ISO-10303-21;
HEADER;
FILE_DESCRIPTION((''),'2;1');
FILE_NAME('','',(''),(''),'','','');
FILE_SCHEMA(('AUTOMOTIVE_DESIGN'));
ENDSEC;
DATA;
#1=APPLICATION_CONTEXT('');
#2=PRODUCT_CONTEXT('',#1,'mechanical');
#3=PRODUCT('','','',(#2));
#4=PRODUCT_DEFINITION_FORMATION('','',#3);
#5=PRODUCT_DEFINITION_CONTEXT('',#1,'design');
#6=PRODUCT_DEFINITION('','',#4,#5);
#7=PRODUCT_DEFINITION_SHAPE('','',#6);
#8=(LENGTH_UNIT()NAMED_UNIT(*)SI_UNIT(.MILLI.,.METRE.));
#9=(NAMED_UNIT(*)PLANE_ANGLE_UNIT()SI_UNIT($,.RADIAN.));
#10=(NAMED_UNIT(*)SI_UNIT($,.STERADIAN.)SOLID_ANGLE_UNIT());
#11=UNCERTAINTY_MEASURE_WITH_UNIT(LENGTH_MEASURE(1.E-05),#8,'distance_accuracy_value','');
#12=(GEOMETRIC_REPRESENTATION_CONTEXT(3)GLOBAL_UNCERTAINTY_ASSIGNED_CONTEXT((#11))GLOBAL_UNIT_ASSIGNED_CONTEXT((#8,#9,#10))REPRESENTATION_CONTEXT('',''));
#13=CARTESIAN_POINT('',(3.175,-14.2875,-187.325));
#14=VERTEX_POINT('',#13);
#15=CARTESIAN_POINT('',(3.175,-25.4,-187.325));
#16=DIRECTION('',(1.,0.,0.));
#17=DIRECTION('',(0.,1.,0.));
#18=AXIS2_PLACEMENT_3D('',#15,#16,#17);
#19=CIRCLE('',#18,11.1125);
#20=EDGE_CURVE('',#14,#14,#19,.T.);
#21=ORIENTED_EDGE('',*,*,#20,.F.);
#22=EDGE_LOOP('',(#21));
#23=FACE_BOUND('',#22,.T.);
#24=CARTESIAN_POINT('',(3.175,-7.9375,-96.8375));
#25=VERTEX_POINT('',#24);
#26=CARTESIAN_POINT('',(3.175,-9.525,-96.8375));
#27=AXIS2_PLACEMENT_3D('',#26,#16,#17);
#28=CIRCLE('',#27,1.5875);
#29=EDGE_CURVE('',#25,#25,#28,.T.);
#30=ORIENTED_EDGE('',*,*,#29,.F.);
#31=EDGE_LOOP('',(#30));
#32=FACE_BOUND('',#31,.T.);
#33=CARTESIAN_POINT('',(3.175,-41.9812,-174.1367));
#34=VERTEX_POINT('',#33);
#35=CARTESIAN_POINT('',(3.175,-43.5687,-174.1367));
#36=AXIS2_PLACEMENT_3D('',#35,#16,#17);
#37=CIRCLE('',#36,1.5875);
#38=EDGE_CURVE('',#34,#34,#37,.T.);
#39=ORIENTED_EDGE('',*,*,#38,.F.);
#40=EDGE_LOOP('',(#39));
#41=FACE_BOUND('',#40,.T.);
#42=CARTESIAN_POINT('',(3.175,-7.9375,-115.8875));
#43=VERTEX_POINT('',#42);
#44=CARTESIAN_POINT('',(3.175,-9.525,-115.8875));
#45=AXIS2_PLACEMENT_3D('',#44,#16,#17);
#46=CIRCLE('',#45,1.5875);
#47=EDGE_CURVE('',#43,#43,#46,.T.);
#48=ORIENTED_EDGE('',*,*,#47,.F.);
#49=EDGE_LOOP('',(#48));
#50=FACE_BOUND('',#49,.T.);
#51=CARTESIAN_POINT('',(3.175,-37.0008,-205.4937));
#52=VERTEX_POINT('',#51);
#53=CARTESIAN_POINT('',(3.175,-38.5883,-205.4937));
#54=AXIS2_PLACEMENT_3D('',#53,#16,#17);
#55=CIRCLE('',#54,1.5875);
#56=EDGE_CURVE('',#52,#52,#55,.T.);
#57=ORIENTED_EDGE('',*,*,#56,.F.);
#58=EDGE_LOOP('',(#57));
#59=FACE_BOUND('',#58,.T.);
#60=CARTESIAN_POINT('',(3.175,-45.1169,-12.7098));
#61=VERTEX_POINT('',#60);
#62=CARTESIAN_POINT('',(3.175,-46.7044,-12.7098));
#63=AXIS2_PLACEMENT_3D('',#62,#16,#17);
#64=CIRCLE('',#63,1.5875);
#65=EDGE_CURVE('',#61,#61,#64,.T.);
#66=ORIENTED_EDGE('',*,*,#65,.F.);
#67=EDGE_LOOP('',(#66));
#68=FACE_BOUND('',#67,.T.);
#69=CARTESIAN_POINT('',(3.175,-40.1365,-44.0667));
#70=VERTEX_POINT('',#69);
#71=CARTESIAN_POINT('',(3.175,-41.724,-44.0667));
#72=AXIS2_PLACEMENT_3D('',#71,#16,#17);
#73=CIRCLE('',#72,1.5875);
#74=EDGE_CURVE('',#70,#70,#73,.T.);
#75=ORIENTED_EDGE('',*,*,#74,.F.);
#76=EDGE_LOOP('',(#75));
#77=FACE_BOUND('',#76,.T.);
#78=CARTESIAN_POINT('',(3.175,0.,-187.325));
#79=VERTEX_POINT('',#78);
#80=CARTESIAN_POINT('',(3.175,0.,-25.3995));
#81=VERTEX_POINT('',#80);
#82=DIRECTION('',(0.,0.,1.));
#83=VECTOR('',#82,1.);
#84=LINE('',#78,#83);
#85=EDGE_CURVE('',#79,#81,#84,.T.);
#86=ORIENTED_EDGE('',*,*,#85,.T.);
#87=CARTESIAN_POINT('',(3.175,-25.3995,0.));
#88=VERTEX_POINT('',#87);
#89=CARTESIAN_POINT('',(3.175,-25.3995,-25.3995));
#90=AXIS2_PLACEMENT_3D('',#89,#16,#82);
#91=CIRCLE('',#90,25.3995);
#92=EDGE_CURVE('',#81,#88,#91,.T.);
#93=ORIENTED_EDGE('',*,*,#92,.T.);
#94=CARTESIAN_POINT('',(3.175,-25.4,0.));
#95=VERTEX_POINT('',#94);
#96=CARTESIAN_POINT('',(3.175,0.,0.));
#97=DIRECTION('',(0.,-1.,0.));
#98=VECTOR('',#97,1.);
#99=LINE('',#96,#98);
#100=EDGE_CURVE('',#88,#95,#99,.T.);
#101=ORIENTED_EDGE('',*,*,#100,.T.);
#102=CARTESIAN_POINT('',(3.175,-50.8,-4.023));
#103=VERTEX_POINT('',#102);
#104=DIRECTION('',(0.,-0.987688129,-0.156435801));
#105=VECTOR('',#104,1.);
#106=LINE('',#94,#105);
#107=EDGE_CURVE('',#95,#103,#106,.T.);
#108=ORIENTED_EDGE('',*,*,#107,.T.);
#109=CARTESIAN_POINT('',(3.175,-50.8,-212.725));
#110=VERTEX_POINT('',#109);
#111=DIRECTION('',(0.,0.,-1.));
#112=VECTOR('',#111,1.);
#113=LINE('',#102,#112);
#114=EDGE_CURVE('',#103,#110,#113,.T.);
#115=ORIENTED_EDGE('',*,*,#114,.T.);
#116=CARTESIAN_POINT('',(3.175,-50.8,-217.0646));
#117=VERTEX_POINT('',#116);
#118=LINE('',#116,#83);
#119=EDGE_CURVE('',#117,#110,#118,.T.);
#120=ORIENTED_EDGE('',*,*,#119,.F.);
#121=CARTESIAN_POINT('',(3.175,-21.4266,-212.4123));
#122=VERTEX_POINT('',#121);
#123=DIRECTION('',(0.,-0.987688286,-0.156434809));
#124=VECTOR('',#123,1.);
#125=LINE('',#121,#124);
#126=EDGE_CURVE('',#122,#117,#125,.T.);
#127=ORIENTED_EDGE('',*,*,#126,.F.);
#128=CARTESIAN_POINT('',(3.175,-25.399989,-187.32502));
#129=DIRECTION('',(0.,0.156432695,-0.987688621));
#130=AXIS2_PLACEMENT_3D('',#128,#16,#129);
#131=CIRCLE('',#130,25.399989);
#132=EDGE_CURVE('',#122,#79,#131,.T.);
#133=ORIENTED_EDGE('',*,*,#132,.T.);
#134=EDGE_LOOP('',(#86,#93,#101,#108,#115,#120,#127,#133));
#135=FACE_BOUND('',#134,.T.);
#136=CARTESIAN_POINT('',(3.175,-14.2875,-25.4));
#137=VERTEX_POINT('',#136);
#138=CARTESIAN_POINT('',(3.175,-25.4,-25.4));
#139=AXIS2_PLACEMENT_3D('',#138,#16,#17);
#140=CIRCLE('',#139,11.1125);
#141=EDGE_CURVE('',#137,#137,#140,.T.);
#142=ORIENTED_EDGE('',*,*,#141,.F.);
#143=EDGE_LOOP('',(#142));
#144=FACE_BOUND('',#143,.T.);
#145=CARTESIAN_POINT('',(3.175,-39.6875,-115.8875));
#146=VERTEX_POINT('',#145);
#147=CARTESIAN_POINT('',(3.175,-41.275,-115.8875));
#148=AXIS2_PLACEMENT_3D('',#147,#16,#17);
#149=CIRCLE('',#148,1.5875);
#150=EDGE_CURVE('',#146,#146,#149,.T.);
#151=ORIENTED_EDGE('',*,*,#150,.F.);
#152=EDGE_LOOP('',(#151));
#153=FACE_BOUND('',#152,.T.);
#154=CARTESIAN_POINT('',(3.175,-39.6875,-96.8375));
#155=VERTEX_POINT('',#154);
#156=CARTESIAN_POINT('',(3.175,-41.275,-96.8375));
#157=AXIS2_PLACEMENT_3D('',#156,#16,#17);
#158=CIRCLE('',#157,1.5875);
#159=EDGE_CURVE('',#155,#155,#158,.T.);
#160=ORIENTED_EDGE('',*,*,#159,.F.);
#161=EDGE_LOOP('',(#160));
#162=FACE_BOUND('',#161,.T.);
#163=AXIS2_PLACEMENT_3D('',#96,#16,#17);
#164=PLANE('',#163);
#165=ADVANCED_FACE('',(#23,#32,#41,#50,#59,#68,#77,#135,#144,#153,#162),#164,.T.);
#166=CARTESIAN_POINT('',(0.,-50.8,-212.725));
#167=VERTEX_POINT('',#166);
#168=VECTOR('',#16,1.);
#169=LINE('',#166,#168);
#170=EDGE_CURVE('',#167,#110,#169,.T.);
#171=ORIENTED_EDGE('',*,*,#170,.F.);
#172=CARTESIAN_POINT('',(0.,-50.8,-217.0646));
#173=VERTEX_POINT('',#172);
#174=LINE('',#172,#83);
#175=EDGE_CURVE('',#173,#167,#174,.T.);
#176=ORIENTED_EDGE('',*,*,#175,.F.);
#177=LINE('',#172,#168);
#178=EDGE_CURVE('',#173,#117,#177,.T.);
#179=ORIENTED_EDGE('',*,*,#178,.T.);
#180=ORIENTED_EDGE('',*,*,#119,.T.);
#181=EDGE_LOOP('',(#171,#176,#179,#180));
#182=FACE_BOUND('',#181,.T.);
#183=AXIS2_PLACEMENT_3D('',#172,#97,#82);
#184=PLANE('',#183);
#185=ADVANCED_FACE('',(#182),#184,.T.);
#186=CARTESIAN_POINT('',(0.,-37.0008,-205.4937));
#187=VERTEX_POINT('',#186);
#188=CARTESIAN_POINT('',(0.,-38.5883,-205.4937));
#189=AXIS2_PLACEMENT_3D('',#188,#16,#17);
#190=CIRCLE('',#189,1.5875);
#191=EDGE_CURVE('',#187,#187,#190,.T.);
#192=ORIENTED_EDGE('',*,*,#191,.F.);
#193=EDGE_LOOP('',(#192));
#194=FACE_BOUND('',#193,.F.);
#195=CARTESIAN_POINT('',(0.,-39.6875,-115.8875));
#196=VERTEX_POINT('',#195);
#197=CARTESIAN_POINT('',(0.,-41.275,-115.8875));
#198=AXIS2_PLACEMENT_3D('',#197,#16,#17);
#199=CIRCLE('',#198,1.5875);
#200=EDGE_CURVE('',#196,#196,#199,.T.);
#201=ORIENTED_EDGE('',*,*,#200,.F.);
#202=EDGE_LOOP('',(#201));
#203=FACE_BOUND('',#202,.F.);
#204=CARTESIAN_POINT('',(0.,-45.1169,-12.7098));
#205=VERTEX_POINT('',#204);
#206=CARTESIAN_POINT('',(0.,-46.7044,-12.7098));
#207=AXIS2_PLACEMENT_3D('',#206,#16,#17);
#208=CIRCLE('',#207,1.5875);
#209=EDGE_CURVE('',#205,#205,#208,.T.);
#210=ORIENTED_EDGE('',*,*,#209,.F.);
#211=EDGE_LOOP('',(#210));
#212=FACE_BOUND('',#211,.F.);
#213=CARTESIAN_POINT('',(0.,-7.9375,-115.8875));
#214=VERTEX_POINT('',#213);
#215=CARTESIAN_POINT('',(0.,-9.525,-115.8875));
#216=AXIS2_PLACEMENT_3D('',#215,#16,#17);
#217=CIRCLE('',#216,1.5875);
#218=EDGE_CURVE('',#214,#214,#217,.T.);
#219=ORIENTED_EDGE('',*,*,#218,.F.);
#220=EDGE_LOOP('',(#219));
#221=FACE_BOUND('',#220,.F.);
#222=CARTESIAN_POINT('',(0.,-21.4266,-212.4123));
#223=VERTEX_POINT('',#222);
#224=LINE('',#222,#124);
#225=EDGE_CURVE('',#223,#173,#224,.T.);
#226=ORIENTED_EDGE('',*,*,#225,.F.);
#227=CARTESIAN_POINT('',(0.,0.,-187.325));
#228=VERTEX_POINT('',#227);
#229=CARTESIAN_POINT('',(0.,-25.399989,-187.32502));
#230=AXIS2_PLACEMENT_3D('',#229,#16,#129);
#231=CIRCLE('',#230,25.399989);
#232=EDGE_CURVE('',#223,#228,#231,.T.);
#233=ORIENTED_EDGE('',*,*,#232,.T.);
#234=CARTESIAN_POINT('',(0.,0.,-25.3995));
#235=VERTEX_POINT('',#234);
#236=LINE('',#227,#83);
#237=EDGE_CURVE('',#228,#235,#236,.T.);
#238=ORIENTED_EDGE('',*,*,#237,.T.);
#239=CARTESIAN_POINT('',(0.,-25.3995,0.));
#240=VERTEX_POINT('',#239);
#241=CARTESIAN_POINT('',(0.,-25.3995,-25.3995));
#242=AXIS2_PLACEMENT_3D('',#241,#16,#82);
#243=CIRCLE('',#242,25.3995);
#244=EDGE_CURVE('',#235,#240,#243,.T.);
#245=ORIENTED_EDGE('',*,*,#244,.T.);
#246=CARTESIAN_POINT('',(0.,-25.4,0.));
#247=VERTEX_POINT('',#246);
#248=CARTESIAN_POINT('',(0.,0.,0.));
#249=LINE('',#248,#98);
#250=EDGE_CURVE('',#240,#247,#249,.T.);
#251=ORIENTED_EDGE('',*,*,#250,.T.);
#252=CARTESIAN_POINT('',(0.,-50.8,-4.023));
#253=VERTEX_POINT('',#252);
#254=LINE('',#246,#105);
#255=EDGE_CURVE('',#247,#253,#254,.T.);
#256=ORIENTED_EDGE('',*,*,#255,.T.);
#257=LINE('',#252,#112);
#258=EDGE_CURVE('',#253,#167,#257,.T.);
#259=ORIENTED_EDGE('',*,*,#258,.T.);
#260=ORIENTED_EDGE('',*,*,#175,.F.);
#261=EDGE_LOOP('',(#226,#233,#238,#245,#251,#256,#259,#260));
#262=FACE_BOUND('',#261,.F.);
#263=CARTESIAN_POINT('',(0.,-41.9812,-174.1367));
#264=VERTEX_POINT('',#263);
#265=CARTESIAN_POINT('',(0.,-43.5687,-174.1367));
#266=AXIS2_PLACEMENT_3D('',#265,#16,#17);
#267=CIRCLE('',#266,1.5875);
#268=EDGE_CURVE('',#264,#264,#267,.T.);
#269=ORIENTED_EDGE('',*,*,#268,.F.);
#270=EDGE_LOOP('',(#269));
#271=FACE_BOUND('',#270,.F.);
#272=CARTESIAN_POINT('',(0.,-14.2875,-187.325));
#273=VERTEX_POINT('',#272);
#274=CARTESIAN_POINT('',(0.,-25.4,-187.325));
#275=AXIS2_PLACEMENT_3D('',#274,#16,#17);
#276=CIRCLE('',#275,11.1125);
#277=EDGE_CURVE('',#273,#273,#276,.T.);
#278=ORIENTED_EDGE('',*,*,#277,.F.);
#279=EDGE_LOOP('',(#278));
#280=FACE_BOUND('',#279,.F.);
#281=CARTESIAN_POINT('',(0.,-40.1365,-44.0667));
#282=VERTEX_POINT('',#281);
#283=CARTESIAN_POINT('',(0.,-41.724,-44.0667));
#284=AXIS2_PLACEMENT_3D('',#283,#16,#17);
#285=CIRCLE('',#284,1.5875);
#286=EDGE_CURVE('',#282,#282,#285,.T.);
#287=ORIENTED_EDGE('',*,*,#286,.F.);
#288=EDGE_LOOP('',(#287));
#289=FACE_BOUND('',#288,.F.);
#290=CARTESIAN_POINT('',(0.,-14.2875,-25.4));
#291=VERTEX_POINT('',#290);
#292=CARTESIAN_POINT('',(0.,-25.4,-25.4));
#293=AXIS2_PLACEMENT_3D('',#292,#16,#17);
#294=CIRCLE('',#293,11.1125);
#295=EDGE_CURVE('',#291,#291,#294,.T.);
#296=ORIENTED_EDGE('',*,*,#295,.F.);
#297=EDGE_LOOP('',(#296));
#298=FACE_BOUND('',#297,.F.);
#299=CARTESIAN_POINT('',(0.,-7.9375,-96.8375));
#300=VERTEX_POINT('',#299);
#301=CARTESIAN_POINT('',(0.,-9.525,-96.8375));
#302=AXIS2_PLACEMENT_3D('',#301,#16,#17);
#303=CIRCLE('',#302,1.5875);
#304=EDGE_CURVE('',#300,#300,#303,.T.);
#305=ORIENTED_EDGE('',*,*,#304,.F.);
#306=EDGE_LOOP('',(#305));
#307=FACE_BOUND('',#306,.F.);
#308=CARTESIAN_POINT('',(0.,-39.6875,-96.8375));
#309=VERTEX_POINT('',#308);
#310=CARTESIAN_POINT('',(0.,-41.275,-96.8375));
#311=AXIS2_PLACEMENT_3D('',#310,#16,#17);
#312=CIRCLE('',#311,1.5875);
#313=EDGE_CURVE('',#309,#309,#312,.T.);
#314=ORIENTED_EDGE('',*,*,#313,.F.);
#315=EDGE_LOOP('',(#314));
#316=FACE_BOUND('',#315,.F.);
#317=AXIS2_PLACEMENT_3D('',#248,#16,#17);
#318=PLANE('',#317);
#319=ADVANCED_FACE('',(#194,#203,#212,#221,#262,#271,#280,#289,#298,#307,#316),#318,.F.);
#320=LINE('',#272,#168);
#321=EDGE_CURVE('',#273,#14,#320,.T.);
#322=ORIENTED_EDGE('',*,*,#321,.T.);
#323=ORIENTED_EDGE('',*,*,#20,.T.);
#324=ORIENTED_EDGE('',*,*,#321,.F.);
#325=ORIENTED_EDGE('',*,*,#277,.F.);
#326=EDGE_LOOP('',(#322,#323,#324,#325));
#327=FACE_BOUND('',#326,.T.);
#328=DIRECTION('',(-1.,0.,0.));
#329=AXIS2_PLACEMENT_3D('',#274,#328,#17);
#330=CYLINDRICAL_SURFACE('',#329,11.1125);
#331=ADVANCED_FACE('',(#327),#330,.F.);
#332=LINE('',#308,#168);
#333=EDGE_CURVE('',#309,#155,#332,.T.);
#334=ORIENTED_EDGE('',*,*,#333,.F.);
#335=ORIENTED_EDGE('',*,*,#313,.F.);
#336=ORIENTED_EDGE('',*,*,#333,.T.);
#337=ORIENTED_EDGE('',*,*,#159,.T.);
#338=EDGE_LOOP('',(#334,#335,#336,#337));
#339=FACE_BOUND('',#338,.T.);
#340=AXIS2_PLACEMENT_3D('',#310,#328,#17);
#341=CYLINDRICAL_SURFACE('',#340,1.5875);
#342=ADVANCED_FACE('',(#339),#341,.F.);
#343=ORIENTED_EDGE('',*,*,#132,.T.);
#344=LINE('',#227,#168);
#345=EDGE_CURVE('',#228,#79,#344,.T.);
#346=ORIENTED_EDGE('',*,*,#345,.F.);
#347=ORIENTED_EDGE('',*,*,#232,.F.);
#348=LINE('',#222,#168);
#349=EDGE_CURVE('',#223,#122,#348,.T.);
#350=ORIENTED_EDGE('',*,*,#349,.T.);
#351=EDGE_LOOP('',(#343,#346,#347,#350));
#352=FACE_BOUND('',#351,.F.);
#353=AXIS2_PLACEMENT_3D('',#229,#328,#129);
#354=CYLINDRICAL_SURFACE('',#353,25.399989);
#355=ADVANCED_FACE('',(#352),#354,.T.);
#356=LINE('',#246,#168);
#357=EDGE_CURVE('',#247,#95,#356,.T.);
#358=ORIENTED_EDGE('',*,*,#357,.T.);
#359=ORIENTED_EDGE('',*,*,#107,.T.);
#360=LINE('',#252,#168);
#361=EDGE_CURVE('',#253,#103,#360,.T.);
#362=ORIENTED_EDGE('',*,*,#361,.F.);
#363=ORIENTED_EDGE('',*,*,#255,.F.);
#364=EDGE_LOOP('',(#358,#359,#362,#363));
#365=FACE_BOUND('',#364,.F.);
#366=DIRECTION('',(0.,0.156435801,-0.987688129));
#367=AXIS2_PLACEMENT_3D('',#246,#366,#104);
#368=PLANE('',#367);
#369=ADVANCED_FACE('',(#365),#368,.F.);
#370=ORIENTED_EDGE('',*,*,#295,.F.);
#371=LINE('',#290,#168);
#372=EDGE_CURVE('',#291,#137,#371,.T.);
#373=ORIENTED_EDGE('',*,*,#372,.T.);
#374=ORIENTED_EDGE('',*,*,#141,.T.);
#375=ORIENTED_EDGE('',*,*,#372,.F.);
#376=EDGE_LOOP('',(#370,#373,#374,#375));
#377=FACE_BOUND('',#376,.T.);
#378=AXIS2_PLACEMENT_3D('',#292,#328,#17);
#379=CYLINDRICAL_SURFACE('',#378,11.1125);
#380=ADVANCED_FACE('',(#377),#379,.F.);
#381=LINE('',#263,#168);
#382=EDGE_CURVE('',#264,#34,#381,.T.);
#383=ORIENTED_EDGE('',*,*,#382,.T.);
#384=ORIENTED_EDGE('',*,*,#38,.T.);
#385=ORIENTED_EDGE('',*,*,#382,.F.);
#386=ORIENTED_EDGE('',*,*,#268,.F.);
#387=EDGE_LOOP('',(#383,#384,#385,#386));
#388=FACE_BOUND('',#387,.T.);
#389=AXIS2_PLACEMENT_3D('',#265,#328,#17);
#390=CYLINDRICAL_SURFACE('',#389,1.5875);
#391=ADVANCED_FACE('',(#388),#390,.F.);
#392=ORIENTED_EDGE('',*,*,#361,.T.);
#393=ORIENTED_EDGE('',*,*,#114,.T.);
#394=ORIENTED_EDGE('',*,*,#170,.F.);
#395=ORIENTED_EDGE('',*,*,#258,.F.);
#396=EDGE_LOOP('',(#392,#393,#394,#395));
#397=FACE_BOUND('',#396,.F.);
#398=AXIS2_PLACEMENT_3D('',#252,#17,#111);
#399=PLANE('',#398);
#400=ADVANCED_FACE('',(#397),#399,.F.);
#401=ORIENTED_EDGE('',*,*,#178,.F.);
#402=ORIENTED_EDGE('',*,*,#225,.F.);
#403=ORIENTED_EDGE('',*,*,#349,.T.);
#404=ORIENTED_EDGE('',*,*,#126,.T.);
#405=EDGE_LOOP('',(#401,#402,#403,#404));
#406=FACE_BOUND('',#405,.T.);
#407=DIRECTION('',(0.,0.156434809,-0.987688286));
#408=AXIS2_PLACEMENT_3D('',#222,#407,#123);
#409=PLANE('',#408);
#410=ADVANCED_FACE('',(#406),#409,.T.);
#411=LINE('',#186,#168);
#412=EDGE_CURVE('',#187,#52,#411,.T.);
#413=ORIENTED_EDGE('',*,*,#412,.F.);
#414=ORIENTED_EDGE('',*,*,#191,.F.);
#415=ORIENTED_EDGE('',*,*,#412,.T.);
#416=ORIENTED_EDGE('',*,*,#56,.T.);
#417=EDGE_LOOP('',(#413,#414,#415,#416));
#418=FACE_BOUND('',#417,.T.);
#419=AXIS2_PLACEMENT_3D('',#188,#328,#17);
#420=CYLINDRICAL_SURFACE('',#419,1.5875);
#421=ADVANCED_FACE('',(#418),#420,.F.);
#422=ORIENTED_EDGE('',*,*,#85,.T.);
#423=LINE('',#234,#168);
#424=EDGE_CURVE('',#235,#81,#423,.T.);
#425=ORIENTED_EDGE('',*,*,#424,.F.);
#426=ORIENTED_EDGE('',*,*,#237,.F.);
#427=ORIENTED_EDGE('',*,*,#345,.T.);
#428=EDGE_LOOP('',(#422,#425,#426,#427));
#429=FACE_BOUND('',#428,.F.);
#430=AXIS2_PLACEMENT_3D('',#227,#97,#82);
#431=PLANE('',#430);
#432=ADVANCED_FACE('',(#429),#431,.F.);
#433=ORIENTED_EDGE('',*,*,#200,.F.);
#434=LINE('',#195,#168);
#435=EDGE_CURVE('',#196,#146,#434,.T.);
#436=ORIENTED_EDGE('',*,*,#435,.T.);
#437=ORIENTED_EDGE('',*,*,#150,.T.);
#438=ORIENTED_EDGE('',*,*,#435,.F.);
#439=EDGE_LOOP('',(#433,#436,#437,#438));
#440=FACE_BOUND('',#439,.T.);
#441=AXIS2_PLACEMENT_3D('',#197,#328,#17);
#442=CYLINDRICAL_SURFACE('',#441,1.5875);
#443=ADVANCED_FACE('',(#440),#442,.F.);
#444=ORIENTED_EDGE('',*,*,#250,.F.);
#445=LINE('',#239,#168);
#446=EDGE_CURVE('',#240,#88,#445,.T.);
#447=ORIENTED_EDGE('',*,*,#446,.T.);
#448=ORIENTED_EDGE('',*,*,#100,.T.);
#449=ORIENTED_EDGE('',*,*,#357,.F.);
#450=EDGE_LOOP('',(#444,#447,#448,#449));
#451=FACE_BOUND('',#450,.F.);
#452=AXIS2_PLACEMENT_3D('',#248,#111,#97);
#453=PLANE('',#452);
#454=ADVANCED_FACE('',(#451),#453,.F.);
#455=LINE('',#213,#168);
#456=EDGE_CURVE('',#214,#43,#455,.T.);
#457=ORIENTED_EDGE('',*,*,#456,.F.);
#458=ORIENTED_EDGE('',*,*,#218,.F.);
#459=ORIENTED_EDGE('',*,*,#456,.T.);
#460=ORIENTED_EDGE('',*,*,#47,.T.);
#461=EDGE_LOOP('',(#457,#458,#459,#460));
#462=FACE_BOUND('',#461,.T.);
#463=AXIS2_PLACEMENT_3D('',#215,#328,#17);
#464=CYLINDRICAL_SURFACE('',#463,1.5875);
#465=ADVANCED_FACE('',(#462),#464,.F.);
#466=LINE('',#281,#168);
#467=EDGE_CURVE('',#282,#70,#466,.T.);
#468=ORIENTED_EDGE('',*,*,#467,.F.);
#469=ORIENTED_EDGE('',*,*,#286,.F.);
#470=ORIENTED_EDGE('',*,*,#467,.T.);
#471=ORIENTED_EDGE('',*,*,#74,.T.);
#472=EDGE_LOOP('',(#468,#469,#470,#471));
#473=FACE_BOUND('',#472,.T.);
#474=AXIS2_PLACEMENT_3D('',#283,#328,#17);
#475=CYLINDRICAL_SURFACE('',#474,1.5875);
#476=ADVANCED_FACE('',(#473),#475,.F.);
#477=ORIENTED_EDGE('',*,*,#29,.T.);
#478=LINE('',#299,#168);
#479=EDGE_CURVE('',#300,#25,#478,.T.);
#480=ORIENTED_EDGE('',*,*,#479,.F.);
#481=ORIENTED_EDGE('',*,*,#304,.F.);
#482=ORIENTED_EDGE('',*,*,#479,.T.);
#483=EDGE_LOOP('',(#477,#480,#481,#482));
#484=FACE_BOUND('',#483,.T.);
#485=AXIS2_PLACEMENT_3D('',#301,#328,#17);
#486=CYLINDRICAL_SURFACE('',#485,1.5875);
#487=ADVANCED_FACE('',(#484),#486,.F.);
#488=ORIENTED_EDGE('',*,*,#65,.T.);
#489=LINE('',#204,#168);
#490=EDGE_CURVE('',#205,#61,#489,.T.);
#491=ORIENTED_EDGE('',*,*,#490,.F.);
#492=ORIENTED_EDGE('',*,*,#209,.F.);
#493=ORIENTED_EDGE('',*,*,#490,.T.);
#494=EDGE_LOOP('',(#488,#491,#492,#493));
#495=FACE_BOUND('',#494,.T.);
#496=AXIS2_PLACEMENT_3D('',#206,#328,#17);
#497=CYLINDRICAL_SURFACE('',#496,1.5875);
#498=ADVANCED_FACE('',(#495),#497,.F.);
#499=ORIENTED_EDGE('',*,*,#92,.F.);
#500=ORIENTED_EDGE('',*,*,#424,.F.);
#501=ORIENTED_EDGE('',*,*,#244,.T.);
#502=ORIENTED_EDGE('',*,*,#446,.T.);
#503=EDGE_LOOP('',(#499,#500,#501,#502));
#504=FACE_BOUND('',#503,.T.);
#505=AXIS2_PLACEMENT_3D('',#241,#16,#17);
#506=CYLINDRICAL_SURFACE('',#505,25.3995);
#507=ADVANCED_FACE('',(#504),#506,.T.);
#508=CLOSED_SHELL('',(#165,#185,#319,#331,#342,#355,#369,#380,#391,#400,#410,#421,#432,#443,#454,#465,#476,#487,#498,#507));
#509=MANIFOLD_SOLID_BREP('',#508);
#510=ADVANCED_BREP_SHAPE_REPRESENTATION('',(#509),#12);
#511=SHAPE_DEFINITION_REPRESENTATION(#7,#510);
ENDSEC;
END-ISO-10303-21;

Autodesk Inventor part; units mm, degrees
ref_plane "YZ Plane" through (0, 0, 0) normal (1, 0, 0) x (0, 1, 0)
ref_plane "XZ Plane" through (0, 0, 0) normal (0, 1, 0) x (-1, 0, 0)
ref_plane "XY Plane" through (0, 0, 0) normal (0, 0, 1) x (1, 0, 0)
sketch "Sketch1" plane through (0, 0, 0) normal (1, 0, 0) x (0, 1, 0)
  line L0 (-50.8, 0) -> (-50.8, -4.023) construction
  line L1 (0, -212.725) -> (0, -187.325) construction
  line L2 (0, 0) -> (-25.4, 0)
  line L3 (0, -212.725) -> (-25.4, -212.725) construction
  line L4 (-25.4, 0) -> (-25.4, -36.5125) construction
  circle A0 centre (-25.4, -25.4) radius 11.1125
  circle A1 centre (-25.4, -187.325) radius 11.1125
  line L5 (0, -106.3625) -> (-50.8, -106.3625) construction
  line L6 (0, -87.3125) -> (-50.8, -87.3125) construction
  line L7 (-50.8, -125.4125) -> (0, -125.4125) construction
  line L8 (-25.4, 0) -> (-50.8, 0) construction
  line L9 (-25.4, -212.725) -> (-50.8, -212.725) construction
  line L10 (-25.4, 0) -> (-50.8, -4.023)
  line L11 (-50.8, -217.0646) -> (-50.8, -212.725)
  line L12 (-50.8, -4.023) -> (-50.8, -212.725)
  line L13 (0, -187.325) -> (0, 0)
  circle A2 centre (-38.5883, -205.4937) radius 1.5875 projected
  circle A3 centre (-43.5687, -174.1367) radius 1.5875 projected
  circle A4 centre (-41.724, -44.0667) radius 1.5875 projected
  circle A5 centre (-46.7044, -12.7098) radius 1.5875 projected
  line L14 (-21.4266, -212.4123) -> (-50.8, -217.0646)
  arc A6 (-21.4266, -212.4123) -> (0, -187.325) centre (-25.4, -187.325) ccw
  line L15 (0, -96.8375) -> (-50.8, -96.8375) construction
  line L16 (0, -115.8875) -> (-50.8, -115.8875) construction
  line L17 (-25.4, -36.5125) -> (-25.4, -176.2125) construction
  line L18 (-25.4, -176.2125) -> (-25.4, -212.725) construction
  line L19 (-9.525, -96.8375) -> (-9.525, -115.8875) construction
  line L20 (-41.275, -96.8375) -> (-41.275, -115.8875) construction
  circle A7 centre (-9.525, -115.8875) radius 1.5875
  circle A8 centre (-9.525, -96.8375) radius 1.5875
  circle A9 centre (-41.275, -115.8875) radius 1.5875
  circle A10 centre (-41.275, -96.8375) radius 1.5875
  point P0 (-25.4, -106.3625)
  dimension "d2" = 22.225
  dimension "d1" = 50.8
  dimension "d3" = 161.925
  dimension "d4" = 25.4
  dimension "d5" = 25.4
  dimension "d10" = 212.725
  dimension "d11" = 38.1
  dimension "d12" = 61.9125
  dimension "d18" = 9
  dimension "d19" = 19.05
  dimension "d20" = 3.175
  dimension "d21" = 31.75
extrude "Extrusion1" add sketch "Sketch1" along normal blind 3.175
fillet "Fillet1" radius 25.4 1 edges at (1.5875, 0, 0)
equation "\"d5\" = d4"
properties part number "Cross Plate"
